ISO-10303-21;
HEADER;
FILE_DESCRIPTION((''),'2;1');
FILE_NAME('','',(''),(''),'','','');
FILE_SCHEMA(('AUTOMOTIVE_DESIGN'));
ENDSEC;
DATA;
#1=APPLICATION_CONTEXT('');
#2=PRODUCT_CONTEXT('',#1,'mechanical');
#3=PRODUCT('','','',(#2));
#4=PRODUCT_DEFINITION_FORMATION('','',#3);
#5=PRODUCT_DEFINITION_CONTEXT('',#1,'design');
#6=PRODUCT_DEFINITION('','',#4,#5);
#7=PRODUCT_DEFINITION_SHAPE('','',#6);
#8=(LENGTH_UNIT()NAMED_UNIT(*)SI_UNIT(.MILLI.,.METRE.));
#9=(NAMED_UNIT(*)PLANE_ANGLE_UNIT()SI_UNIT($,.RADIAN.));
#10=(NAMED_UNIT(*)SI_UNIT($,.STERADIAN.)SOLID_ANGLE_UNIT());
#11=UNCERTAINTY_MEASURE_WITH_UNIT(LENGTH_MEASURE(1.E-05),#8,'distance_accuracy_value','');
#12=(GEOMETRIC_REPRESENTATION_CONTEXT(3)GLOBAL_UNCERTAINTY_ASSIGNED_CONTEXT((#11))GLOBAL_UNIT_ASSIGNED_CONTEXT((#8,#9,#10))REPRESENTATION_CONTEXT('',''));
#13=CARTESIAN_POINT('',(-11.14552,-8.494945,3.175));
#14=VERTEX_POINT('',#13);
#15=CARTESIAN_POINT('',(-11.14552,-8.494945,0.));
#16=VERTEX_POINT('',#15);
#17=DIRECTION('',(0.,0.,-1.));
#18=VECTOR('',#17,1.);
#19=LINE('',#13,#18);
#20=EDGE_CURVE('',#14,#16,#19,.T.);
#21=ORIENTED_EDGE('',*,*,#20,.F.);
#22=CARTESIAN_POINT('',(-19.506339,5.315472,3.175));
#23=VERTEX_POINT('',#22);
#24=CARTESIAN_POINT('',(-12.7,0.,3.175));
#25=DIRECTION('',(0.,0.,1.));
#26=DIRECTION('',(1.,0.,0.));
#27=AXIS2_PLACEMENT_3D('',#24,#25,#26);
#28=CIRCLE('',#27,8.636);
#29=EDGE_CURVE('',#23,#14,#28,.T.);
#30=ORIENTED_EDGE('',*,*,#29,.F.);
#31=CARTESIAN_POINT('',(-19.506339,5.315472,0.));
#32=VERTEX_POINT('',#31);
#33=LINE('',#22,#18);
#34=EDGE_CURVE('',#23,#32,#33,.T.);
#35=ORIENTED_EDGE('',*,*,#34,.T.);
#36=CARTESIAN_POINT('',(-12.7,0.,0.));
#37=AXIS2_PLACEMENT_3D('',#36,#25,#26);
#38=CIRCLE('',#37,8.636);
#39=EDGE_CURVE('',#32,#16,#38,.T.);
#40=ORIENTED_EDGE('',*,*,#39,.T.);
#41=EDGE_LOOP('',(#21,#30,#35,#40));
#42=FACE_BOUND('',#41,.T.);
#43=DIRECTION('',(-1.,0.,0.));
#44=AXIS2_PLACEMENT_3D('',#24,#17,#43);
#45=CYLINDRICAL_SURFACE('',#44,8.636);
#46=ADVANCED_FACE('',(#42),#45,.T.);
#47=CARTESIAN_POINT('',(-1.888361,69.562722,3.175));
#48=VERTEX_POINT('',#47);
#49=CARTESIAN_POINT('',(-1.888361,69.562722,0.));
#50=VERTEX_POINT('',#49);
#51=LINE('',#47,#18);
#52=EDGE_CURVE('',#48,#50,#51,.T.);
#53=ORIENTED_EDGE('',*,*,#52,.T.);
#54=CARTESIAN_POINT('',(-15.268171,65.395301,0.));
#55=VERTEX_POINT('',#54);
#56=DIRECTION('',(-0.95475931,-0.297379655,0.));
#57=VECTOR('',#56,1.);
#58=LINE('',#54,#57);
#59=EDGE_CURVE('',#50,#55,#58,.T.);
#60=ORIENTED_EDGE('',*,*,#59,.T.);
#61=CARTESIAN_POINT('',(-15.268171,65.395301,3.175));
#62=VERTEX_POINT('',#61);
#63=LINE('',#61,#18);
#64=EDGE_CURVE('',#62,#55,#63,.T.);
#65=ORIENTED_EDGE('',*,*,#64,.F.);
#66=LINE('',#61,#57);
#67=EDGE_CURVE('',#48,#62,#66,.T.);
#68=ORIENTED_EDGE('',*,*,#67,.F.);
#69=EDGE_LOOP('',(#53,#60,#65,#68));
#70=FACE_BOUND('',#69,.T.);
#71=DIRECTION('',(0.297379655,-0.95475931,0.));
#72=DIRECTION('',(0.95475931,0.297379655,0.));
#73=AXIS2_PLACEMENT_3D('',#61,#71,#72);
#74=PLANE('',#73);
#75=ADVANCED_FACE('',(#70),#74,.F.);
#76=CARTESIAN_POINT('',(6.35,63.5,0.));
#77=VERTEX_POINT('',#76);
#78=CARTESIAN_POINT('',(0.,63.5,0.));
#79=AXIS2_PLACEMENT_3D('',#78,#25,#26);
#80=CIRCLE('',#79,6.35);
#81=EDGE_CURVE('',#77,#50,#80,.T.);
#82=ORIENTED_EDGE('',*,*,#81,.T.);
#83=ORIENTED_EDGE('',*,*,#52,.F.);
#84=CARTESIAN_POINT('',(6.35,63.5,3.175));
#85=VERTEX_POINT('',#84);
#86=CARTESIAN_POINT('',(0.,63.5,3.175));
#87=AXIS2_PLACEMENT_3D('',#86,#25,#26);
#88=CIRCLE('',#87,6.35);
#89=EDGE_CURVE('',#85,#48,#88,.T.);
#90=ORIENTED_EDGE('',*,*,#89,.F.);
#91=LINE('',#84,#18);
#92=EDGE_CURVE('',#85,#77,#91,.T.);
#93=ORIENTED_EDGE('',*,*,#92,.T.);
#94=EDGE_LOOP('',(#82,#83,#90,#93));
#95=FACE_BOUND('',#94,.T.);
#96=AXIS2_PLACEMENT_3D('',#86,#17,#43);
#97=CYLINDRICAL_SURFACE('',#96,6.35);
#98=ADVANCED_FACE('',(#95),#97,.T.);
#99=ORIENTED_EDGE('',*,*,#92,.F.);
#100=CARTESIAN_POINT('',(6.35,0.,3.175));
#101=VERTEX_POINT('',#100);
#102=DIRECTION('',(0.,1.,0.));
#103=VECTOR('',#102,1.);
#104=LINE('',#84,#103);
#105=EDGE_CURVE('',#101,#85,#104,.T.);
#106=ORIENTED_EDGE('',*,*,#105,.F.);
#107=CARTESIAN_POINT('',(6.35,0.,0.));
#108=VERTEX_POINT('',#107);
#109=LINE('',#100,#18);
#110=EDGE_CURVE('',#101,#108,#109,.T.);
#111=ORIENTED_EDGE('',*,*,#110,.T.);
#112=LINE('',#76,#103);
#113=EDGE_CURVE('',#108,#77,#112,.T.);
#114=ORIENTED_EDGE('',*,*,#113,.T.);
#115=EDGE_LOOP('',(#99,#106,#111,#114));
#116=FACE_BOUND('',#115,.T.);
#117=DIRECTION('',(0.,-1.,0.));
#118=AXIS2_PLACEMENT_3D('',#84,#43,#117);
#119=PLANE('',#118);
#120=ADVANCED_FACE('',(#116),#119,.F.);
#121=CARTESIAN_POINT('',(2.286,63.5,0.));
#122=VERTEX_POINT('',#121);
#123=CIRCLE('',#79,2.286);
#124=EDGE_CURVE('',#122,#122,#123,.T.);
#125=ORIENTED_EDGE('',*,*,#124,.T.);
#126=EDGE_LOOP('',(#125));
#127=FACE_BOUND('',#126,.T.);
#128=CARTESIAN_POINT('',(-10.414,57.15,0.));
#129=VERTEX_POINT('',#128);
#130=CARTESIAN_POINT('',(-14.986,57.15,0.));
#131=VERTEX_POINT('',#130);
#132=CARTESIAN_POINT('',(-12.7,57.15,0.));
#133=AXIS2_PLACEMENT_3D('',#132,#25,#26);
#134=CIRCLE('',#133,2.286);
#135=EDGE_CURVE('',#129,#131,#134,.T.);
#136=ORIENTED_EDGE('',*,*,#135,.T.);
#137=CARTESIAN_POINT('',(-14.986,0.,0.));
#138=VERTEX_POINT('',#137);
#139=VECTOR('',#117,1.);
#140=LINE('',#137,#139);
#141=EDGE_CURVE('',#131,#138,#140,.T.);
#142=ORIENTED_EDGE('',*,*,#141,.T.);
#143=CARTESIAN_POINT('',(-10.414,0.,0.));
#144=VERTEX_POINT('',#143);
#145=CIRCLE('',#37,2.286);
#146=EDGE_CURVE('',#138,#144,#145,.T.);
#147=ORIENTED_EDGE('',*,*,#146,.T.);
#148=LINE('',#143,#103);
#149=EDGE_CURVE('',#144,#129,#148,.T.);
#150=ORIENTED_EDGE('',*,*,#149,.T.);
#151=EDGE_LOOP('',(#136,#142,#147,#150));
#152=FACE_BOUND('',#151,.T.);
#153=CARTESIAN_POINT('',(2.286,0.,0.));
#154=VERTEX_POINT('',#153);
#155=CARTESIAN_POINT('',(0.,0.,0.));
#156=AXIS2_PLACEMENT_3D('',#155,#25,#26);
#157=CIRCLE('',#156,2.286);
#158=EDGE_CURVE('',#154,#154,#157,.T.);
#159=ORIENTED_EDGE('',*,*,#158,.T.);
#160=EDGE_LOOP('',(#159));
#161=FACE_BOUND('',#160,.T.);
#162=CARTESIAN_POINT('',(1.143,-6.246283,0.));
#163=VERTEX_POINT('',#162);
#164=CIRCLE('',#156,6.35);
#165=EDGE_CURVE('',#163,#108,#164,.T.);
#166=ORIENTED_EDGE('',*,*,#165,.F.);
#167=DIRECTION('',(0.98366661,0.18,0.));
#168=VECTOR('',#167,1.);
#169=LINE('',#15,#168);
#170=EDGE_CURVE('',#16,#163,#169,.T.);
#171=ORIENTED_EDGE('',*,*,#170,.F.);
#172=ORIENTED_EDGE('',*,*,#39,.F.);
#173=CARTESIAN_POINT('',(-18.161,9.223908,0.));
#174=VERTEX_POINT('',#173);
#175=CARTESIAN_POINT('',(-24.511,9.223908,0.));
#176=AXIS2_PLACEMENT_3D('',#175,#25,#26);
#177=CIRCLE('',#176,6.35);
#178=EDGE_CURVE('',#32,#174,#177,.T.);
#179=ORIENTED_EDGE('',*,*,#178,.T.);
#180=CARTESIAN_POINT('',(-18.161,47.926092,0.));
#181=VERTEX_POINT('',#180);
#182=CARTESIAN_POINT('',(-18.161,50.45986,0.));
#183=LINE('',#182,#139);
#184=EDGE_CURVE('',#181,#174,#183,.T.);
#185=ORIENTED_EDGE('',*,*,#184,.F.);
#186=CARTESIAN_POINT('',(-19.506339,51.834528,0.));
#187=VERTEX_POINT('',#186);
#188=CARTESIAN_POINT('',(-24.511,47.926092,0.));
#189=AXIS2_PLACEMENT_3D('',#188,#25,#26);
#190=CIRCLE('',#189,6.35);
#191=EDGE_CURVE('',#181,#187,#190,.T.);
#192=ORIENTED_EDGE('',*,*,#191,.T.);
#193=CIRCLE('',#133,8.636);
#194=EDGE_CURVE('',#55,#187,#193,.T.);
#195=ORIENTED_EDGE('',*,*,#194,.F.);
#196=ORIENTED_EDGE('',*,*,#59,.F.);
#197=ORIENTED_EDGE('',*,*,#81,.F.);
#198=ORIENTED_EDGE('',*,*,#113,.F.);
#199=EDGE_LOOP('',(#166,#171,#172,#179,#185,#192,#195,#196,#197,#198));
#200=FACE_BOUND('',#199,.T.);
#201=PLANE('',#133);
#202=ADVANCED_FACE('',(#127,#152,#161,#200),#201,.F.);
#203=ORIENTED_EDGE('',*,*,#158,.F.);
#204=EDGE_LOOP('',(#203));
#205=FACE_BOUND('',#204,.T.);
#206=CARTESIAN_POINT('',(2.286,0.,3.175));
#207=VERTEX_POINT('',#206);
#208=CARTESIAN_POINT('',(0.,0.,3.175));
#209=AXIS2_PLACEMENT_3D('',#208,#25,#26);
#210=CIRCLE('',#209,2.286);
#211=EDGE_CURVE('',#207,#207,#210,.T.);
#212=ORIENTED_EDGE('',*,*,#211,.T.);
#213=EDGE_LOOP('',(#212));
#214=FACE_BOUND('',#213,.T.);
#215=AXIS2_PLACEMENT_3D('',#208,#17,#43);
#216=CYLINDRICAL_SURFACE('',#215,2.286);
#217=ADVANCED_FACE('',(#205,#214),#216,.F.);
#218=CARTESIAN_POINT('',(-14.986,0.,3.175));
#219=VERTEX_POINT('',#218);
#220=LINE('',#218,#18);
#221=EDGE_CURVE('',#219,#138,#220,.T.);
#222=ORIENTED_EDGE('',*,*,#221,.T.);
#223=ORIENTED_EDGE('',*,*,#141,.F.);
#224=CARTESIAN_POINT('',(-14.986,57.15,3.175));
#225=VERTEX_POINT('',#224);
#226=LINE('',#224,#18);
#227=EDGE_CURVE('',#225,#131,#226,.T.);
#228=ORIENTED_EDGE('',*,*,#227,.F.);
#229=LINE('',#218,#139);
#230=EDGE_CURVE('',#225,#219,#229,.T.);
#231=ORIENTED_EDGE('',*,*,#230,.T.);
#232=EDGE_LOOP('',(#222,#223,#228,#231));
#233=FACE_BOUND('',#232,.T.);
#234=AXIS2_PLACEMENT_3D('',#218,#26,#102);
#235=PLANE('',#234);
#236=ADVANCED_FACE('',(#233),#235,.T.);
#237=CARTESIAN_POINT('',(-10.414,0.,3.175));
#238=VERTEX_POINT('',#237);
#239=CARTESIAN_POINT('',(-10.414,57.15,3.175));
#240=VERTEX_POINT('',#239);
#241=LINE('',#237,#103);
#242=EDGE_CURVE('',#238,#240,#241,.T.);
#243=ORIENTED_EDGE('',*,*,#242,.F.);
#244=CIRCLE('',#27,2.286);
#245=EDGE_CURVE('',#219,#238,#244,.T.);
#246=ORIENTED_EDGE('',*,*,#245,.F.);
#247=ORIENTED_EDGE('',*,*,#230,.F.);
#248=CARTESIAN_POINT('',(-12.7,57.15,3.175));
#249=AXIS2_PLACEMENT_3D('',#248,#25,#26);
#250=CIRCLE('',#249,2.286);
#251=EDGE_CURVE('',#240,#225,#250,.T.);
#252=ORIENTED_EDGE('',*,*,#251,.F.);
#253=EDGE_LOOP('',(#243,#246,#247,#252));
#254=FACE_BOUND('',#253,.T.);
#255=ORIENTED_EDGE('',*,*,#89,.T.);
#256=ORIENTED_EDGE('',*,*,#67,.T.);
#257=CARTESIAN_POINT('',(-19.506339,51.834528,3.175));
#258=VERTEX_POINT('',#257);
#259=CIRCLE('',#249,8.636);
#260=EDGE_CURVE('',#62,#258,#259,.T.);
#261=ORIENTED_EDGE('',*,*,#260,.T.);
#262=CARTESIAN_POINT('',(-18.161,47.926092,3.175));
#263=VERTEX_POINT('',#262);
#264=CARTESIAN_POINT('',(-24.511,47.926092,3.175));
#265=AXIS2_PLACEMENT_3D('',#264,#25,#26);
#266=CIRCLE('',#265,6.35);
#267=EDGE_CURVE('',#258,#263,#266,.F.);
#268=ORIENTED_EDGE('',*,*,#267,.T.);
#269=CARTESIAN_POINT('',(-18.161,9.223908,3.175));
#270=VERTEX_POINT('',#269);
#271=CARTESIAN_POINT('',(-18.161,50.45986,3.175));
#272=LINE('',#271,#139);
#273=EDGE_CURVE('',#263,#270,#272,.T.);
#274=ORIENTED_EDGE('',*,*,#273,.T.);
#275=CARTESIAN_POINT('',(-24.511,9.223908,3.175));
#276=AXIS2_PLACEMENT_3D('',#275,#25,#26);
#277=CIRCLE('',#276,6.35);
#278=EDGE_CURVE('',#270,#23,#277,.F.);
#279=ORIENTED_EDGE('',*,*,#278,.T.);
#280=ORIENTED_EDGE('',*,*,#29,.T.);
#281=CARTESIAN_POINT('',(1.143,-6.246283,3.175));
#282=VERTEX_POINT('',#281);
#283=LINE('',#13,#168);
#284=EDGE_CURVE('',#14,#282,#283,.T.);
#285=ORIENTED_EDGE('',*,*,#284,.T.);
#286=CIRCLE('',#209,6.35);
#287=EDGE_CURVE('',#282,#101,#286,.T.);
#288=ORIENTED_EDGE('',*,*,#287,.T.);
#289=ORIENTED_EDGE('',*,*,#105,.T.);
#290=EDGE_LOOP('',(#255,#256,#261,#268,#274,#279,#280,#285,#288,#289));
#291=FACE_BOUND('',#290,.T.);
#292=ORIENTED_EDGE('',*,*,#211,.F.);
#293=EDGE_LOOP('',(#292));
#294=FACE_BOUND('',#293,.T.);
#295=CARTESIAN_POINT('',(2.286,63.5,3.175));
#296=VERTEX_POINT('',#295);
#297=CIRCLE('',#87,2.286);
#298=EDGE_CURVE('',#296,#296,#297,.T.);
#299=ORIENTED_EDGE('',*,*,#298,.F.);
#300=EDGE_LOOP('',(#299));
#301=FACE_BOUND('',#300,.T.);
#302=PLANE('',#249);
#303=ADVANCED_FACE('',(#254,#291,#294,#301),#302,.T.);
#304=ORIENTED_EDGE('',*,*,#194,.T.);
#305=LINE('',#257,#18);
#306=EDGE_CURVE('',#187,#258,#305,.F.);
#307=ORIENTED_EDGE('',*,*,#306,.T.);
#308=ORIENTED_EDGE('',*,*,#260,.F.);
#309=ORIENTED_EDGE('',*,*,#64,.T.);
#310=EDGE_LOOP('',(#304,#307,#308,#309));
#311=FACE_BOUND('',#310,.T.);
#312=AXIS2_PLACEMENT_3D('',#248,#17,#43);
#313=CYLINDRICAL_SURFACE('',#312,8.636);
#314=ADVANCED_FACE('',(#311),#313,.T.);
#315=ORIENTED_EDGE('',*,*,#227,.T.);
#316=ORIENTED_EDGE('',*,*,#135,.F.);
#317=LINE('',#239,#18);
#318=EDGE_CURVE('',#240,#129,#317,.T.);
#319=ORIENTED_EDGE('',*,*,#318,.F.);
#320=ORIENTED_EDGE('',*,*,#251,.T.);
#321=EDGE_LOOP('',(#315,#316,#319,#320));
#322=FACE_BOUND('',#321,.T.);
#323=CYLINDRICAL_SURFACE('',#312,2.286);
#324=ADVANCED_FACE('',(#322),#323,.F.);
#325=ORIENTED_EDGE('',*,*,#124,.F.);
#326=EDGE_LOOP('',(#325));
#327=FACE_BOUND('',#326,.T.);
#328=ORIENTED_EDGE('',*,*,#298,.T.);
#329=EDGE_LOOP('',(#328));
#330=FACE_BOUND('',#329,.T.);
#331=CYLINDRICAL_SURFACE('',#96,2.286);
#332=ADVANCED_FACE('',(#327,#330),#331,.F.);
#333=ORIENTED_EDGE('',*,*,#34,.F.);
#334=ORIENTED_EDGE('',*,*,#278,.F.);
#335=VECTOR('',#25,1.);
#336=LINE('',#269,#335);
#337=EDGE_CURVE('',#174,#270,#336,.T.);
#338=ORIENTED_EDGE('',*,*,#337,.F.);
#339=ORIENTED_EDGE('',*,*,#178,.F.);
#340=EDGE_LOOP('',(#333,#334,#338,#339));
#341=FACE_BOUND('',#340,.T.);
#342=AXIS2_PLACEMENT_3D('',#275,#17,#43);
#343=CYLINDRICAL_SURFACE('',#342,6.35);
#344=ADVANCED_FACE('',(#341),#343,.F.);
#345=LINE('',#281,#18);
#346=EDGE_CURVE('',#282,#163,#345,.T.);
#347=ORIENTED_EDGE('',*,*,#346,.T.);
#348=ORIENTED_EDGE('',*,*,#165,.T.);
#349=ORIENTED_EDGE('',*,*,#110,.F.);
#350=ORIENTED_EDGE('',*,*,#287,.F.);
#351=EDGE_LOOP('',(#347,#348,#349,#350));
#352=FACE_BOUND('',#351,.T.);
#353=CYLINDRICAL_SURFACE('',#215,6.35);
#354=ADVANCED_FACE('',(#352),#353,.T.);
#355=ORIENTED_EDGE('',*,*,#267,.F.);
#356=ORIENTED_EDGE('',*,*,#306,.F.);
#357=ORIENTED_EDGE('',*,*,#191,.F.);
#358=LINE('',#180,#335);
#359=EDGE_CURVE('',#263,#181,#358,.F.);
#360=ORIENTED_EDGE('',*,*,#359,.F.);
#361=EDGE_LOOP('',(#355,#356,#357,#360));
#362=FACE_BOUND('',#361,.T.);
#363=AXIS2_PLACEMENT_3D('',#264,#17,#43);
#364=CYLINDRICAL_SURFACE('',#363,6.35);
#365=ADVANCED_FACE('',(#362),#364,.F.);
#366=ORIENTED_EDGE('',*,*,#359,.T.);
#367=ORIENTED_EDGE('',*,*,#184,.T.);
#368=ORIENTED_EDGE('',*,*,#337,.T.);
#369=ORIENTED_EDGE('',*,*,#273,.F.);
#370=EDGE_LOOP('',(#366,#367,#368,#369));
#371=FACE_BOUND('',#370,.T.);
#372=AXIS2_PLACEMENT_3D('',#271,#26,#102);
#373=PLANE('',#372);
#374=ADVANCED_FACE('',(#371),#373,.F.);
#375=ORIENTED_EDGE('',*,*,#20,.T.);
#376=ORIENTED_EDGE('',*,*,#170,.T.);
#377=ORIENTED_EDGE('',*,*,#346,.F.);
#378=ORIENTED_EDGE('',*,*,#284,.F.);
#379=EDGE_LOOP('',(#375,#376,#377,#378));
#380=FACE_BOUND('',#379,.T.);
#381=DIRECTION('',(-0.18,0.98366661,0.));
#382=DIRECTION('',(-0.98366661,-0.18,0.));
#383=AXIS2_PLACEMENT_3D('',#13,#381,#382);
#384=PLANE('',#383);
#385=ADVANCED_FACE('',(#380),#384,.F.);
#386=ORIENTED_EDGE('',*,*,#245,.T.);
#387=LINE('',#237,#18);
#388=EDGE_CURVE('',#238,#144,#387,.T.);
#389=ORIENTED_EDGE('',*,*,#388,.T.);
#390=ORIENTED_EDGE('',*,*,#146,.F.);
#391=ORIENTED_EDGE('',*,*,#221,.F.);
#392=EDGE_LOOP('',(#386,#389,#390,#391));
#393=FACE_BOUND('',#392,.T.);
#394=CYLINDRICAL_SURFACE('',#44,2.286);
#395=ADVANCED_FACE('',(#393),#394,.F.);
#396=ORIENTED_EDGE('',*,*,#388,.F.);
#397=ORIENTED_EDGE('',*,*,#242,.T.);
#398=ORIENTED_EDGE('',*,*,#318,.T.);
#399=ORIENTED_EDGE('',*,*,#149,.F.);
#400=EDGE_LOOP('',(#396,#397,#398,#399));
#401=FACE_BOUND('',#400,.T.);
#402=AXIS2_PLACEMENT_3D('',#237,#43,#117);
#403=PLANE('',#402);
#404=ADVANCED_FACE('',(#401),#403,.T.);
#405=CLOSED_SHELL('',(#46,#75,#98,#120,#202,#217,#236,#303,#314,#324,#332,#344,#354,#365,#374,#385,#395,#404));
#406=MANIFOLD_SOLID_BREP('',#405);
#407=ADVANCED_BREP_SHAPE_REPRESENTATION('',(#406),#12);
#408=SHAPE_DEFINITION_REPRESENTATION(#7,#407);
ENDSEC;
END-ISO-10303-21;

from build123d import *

# Parameters (mm, degrees)
SKETCH1_R           = 2.286
BOSS_EXTRUDE1_DEPTH = 3.175
FILLET1_R           = 6.35


with BuildPart() as part:
    # Sketch1 → Boss-Extrude1 (new body)
    with BuildSketch(Plane.XY):
        with BuildLine():
            Line((-11.14552, -8.494944846), (1.143, -6.246282975))
            ThreePointArc((1.143, -6.246282975), (4.87752755, -4.065983891), (6.35, 0))
            Line((6.35, 0), (6.35, 63.5))
            ThreePointArc((6.35, 63.5), (3.763735435, 68.614371474), (-1.88836081, 69.562721621))
            Line((-1.88836081, 69.562721621), (-15.268170702, 65.395301404))
            ThreePointArc((-15.268170702, 65.395301404), (-21.178428452, 58.792177512), (-18.161, 50.459859867))
            Line((-18.161, 50.459859867), (-18.161, 6.690140133))
            ThreePointArc((-18.161, 6.690140133), (-20.53976569, -3.621956643), (-11.14552, -8.494944846))
        make_face()
        Circle(SKETCH1_R, mode=Mode.SUBTRACT)
        with Locations((0, 63.5)):
            Circle(SKETCH1_R, mode=Mode.SUBTRACT)
        with BuildLine():
            Line((-14.986, 0), (-14.986, 57.15))
            ThreePointArc((-14.986, 57.15), (-12.7, 59.436), (-10.414, 57.15))
            Line((-10.414, 57.15), (-10.414, 0))
            ThreePointArc((-10.414, 0), (-12.7, -2.286), (-14.986, 0))
        make_face(mode=Mode.SUBTRACT)
    extrude(amount=BOSS_EXTRUDE1_DEPTH)

    # Fillet1
    fillet1_edges = [part.edges().sort_by_distance(p)[0] for p in [
        (-18.161, 6.690140133, 1.5875),
        (-18.161, 50.459859867, 1.5875),
    ]]
    fillet(fillet1_edges, radius=FILLET1_R)


solid = part.part
